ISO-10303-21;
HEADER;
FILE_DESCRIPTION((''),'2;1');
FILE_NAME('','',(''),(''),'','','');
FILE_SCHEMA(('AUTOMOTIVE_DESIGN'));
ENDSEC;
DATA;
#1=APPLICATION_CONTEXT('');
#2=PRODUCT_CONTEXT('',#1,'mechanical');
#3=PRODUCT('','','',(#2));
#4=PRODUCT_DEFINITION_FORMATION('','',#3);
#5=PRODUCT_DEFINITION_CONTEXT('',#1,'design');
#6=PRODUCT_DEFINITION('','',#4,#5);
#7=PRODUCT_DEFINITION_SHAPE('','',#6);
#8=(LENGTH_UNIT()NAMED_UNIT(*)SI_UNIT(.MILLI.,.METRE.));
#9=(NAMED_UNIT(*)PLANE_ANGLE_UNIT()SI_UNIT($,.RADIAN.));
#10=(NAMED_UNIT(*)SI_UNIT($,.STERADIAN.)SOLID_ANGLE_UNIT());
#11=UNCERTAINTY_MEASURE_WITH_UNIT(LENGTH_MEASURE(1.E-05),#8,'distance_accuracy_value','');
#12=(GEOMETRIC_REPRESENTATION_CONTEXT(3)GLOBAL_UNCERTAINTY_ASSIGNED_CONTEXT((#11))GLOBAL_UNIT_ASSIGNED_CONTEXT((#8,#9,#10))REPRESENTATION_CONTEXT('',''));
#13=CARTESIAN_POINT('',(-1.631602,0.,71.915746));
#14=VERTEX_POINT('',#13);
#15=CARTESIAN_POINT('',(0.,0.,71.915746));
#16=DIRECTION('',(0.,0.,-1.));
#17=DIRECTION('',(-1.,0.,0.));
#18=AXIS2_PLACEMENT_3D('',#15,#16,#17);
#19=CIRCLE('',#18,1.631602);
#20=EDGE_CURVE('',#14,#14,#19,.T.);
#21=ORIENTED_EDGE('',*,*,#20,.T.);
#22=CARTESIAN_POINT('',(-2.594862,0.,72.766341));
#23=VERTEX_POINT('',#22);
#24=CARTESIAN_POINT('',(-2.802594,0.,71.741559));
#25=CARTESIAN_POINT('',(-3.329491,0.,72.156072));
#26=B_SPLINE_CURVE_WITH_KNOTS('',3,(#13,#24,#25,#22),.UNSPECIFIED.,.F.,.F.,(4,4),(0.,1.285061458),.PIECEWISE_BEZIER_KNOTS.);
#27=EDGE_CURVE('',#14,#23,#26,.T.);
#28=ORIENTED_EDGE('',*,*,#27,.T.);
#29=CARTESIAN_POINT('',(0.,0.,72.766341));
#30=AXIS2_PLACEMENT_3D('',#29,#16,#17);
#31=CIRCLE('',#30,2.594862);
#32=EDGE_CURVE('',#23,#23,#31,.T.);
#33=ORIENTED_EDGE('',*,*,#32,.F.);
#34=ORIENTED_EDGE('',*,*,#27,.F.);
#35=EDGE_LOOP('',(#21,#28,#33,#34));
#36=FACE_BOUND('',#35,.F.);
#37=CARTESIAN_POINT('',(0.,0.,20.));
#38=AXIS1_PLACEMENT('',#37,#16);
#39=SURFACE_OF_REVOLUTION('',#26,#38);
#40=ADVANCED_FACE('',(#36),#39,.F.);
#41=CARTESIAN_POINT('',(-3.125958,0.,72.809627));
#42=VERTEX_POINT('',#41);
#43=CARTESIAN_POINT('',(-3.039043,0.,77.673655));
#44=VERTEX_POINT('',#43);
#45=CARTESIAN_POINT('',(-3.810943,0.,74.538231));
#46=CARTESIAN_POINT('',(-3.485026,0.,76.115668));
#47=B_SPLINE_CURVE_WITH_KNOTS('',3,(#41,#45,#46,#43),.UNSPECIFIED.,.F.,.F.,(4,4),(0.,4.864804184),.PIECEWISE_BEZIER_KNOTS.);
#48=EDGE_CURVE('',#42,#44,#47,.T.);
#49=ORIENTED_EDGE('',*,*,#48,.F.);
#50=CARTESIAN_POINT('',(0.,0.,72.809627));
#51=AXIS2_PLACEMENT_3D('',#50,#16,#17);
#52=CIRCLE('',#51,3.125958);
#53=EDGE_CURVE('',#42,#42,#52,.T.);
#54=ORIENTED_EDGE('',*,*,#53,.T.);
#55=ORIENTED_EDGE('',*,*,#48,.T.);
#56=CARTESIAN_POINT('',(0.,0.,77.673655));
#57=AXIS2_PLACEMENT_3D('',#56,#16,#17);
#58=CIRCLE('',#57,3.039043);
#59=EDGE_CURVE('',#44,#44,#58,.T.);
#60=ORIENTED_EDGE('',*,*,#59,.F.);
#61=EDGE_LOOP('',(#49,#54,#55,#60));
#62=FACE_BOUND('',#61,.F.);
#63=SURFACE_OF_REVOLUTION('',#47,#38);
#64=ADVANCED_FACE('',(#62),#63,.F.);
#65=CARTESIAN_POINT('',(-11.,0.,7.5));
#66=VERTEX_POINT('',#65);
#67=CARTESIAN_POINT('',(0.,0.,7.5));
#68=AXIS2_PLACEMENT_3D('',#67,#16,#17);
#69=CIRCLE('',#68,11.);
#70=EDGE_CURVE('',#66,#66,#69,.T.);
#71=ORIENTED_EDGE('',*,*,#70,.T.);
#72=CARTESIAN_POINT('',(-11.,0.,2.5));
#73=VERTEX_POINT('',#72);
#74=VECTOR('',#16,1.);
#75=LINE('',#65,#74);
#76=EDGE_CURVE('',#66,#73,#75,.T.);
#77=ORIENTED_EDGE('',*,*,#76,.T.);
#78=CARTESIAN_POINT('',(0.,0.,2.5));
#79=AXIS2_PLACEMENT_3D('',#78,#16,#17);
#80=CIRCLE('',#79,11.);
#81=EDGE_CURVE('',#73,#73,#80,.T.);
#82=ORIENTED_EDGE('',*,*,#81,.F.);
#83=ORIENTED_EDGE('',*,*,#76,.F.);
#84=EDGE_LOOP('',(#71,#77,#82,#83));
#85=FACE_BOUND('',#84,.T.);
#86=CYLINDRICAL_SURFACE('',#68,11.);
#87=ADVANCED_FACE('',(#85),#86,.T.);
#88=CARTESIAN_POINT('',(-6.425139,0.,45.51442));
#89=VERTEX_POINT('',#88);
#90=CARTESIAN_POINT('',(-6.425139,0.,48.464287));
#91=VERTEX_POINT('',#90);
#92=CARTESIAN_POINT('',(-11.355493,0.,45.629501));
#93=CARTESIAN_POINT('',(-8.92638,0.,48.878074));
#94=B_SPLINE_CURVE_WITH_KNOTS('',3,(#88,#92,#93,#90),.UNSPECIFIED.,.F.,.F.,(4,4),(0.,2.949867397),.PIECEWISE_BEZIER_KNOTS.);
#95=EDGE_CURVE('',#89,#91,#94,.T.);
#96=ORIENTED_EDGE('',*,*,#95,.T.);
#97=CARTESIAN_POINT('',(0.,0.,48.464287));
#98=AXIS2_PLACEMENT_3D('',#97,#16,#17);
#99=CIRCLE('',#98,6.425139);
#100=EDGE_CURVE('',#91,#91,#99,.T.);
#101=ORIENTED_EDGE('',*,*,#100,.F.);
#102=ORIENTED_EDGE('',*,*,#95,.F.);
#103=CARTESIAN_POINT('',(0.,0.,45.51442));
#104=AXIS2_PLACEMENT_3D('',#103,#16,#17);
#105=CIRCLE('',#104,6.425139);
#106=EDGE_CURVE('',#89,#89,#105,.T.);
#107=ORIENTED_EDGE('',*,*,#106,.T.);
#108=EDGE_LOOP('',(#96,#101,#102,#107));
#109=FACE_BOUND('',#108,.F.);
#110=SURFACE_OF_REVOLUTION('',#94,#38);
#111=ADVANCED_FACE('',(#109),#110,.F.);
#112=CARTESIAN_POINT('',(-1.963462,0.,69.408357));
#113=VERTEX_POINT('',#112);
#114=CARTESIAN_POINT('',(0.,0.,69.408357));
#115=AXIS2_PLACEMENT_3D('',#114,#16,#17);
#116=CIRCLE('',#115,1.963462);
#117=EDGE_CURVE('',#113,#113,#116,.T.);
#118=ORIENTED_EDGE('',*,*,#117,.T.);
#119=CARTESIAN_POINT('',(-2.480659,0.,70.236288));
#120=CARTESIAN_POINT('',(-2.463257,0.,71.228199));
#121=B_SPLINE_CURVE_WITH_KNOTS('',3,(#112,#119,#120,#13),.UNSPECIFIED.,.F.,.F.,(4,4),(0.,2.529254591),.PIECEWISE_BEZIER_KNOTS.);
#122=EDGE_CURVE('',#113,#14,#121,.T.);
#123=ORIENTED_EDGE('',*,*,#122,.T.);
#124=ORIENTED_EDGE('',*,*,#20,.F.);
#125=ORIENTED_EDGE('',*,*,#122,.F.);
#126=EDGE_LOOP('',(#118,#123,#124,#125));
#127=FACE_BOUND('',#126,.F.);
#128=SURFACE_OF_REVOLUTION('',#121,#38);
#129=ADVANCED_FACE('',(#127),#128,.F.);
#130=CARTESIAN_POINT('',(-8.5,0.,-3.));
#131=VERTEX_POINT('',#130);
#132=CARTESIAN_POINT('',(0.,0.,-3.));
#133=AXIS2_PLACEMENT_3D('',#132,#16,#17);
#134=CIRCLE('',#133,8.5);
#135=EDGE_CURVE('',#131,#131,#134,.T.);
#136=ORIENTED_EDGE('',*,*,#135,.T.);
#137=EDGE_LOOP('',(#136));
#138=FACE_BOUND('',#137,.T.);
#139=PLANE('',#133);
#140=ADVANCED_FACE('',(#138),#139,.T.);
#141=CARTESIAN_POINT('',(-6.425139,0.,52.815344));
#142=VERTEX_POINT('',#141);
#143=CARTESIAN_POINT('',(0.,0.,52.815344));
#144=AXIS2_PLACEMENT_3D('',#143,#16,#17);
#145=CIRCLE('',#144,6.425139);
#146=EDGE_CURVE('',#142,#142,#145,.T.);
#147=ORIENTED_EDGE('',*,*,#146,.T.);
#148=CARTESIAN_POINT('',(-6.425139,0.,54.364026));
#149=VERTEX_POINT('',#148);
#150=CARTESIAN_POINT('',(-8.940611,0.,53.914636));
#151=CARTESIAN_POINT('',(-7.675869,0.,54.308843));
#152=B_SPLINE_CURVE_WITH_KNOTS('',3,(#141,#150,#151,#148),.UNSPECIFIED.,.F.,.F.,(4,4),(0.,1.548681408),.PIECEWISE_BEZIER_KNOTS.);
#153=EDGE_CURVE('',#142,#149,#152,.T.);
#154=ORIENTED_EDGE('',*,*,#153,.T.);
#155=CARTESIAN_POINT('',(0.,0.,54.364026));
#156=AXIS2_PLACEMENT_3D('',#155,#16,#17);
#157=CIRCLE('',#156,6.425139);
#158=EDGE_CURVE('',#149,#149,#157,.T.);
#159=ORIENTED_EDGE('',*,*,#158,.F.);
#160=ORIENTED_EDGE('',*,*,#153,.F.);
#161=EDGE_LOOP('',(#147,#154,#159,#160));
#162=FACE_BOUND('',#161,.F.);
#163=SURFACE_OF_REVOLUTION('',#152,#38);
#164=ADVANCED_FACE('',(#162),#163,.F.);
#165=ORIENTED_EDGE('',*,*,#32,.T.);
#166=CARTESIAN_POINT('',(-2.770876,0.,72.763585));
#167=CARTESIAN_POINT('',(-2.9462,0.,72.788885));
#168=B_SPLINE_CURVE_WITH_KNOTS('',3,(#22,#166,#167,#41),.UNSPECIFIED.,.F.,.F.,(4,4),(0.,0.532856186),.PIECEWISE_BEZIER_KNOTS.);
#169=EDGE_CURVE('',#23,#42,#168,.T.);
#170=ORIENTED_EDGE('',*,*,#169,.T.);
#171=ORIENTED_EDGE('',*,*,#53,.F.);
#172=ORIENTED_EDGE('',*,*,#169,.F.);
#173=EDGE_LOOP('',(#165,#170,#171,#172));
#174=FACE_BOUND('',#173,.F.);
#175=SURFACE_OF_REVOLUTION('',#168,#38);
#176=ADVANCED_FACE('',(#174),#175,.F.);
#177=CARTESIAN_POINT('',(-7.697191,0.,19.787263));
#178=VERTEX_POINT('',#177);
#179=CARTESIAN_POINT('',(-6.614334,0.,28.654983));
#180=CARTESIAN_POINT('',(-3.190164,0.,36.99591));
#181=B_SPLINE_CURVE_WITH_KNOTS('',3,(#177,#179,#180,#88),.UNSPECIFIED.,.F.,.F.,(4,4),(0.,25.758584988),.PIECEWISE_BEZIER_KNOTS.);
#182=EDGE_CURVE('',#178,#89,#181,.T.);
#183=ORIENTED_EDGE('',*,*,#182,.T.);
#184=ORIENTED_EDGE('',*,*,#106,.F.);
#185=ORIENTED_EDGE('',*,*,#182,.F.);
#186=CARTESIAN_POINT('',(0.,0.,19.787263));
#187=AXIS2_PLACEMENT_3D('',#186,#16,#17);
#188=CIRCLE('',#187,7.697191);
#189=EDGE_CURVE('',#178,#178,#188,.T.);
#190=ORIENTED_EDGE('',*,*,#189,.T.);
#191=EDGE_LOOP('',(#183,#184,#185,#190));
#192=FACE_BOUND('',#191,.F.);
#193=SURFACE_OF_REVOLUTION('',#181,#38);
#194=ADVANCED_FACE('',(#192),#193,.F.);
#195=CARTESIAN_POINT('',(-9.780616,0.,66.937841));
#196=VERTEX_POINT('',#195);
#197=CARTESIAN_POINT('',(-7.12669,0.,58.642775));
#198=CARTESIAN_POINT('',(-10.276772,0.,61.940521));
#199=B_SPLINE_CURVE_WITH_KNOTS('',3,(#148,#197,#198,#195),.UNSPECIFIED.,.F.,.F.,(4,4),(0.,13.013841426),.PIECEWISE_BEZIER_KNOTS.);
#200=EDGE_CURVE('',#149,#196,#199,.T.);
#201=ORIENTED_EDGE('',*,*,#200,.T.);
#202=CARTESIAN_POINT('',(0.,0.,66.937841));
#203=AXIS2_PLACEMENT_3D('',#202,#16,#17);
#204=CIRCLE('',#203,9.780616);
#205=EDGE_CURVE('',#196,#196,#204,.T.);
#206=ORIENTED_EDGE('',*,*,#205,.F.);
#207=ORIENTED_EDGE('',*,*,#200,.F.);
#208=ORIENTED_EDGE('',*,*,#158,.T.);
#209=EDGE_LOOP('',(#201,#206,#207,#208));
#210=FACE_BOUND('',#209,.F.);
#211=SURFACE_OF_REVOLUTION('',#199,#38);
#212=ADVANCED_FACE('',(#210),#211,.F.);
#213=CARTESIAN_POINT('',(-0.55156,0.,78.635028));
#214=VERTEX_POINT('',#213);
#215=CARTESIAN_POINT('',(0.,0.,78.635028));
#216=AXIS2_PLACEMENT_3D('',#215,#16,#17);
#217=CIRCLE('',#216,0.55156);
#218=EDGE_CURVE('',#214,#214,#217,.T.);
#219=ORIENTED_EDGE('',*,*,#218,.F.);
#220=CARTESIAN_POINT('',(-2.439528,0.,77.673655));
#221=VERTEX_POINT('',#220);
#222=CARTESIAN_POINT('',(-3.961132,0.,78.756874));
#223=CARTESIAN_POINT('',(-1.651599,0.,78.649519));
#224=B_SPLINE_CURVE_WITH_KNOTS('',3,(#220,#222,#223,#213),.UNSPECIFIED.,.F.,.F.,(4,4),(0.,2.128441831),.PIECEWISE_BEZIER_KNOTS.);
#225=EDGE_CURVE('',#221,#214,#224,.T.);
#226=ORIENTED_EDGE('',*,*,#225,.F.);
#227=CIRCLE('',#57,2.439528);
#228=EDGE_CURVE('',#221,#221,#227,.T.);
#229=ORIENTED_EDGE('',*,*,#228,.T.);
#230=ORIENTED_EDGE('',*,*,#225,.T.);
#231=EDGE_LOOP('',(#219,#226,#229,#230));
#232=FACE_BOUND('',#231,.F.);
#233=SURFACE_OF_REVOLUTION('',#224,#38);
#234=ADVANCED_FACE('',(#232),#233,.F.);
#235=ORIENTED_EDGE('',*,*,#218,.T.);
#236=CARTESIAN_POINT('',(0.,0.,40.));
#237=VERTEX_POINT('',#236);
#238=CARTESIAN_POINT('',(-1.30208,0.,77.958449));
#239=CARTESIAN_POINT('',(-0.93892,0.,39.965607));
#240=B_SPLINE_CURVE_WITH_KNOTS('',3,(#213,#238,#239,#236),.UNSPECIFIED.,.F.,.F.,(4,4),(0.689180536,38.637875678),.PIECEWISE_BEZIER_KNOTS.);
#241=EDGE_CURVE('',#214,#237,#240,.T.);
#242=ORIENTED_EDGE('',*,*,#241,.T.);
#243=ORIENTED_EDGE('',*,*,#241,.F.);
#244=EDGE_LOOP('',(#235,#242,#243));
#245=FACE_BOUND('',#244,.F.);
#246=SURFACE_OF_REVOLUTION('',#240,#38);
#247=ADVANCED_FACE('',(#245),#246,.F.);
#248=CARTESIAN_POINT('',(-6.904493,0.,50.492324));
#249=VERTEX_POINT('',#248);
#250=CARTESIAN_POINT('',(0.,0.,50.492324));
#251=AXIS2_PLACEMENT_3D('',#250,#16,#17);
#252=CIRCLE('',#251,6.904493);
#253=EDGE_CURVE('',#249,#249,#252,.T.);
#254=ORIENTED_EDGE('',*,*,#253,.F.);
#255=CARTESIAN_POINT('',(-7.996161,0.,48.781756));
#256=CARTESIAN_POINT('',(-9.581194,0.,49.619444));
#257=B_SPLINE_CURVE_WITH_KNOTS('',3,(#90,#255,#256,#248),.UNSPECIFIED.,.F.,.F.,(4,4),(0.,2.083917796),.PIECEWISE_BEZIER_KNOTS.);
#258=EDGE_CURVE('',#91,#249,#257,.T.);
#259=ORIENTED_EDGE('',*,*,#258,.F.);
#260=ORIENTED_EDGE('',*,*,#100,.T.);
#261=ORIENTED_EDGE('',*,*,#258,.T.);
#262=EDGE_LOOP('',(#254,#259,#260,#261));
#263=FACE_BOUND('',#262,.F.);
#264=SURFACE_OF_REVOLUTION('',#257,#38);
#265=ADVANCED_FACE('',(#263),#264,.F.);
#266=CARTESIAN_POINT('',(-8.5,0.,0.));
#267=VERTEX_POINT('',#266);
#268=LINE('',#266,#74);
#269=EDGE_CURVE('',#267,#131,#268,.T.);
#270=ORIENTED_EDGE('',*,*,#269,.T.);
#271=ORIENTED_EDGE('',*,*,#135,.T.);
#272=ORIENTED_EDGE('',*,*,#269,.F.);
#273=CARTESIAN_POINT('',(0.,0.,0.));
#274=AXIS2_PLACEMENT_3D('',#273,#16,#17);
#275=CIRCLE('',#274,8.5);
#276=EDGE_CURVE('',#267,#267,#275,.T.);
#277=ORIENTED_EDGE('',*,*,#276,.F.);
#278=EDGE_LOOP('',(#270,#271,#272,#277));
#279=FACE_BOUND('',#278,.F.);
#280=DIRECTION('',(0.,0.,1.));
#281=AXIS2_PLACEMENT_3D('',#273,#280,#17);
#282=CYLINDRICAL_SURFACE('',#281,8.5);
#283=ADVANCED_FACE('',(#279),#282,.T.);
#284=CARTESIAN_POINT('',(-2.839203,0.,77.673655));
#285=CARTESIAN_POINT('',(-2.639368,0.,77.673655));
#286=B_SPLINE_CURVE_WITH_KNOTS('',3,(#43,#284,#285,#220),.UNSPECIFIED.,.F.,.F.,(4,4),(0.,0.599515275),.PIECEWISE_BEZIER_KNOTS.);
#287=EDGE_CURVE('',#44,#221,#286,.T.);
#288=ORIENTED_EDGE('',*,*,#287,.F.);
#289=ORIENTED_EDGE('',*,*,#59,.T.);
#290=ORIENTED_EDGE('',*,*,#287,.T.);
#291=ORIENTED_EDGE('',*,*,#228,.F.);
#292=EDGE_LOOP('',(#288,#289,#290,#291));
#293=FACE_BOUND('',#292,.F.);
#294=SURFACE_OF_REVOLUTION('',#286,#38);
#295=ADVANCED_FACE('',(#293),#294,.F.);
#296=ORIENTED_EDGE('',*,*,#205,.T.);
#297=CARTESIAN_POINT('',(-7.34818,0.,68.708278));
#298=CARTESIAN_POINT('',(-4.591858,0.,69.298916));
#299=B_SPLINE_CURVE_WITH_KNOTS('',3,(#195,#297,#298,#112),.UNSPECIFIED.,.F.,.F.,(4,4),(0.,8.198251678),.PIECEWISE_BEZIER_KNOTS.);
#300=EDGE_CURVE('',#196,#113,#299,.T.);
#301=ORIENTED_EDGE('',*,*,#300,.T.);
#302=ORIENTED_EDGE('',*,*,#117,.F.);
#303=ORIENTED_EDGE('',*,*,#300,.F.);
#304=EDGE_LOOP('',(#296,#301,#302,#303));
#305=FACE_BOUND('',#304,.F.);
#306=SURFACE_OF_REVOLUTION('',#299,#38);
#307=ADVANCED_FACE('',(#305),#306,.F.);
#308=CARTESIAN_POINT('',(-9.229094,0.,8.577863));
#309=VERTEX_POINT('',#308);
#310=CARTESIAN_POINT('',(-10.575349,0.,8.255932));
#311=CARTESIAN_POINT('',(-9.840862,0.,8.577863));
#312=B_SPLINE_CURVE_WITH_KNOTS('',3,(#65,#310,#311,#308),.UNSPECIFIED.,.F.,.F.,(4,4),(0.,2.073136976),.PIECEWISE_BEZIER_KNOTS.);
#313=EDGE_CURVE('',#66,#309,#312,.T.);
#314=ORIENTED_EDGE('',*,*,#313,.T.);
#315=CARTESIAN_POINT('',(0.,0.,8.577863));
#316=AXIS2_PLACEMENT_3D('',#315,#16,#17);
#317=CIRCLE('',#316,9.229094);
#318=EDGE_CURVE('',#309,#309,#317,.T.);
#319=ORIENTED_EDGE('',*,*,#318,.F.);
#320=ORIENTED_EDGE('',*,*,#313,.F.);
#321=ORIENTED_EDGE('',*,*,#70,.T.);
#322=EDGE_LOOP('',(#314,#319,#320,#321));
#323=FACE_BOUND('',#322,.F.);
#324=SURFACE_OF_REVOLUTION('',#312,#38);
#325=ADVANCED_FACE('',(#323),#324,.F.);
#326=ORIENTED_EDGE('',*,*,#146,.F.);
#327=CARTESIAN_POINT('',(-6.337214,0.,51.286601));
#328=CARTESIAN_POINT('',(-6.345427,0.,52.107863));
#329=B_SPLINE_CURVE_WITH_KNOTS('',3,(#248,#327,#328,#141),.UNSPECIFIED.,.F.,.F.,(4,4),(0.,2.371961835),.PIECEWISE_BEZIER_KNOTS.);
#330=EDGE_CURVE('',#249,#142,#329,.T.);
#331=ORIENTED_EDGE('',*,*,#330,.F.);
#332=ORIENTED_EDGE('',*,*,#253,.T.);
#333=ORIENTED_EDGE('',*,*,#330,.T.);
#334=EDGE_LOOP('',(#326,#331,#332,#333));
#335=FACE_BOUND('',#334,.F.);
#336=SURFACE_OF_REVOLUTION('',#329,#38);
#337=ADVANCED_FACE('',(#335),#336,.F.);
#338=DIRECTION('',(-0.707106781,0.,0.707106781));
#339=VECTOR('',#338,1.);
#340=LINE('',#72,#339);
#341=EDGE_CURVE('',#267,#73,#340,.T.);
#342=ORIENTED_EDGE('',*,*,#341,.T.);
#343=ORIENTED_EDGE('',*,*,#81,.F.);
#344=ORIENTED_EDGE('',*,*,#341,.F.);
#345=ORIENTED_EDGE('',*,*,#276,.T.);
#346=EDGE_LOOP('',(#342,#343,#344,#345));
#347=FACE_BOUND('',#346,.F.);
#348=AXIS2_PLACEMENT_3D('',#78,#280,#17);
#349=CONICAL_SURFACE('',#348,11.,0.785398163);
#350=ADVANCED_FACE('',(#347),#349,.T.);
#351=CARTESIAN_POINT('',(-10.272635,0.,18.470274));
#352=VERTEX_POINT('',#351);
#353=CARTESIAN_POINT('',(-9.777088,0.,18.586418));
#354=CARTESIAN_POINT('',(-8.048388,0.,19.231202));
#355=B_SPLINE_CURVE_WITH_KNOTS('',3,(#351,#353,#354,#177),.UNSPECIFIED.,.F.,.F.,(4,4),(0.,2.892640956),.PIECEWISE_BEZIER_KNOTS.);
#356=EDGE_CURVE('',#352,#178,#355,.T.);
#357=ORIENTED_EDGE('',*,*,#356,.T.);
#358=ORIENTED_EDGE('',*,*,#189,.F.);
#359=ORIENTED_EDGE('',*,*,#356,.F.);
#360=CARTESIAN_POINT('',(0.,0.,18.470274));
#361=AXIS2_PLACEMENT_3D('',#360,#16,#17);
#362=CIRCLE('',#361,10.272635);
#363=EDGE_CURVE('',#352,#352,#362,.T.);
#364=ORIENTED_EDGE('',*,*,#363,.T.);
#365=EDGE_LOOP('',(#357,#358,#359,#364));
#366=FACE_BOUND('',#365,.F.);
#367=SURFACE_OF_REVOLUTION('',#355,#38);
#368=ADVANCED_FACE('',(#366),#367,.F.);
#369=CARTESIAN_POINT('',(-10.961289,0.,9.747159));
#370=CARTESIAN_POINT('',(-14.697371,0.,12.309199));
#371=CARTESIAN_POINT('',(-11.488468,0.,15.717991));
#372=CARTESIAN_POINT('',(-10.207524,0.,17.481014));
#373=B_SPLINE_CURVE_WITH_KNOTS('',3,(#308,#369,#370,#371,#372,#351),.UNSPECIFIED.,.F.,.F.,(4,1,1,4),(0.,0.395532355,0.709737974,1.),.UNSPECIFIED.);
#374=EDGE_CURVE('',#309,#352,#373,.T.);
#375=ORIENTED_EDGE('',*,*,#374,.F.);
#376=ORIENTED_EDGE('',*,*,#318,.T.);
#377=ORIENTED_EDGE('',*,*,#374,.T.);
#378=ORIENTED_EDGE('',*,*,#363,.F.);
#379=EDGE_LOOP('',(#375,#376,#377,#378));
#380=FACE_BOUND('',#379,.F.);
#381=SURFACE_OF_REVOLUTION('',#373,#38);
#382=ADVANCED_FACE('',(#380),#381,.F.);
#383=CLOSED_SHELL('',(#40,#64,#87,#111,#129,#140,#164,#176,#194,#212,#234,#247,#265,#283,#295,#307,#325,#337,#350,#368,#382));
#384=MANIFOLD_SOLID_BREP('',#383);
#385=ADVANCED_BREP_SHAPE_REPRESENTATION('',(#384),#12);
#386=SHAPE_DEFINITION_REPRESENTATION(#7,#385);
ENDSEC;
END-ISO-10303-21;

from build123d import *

# Parameters (mm, degrees)
F2_SIZE  = 2.5
F3_DEPTH = 3


with BuildPart() as f1:
    # F0 (on Front) → F1 (revolve)
    with BuildSketch(Plane.XZ):
        with BuildLine():
            Line((-11, 0), (0, 0))
            Line((0, 0), (0, 40))
            add(Edge.make_bspline(
                [(-0.5515602777, 78.6350275348), (-1.3020803139, 77.9584492038), (-0.9389197846, 39.9656068795), (0, 40)],
                knots=[0.689180536, 0.689180536, 0.689180536, 0.689180536, 38.6378756782, 38.6378756782, 38.6378756782, 38.6378756782], degree=3))
            add(Edge.make_bspline(
                [(-2.4395277724, 77.6736549017), (-3.9611321005, 78.7568744747), (-1.6515994202, 78.6495189395), (-0.5515602777, 78.6350275348)],
                knots=[0, 0, 0, 0, 2.1284418308, 2.1284418308, 2.1284418308, 2.1284418308], degree=3))
            add(Edge.make_bspline(
                [(-3.0390430475, 77.6736549017), (-2.8392027986, 77.6736549017), (-2.6393680212, 77.6736549017), (-2.4395277724, 77.6736549017)],
                knots=[0, 0, 0, 0, 0.5995152751, 0.5995152751, 0.5995152751, 0.5995152751], degree=3))
            add(Edge.make_bspline(
                [(-3.1259575033, 72.8096271857), (-3.8109431043, 74.538230896), (-3.4850256052, 76.11566782), (-3.0390430475, 77.6736549017)],
                knots=[0, 0, 0, 0, 4.8648041836, 4.8648041836, 4.8648041836, 4.8648041836], degree=3))
            add(Edge.make_bspline(
                [(-2.5948623661, 72.766341269), (-2.7708760463, 72.7635845542), (-2.9461996735, 72.7888847693), (-3.1259575033, 72.8096271857)],
                knots=[0, 0, 0, 0, 0.5328561863, 0.5328561863, 0.5328561863, 0.5328561863], degree=3))
            add(Edge.make_bspline(
                [(-1.6316021793, 71.9157457352), (-2.8025940992, 71.7415586114), (-3.3294912428, 72.1560716629), (-2.5948623661, 72.766341269)],
                knots=[0, 0, 0, 0, 1.2850614576, 1.2850614576, 1.2850614576, 1.2850614576], degree=3))
            add(Edge.make_bspline(
                [(-1.9634624477, 69.4083571434), (-2.4806587026, 70.2362880111), (-2.4632569402, 71.2281987071), (-1.6316021793, 71.9157457352)],
                knots=[0, 0, 0, 0, 2.5292545914, 2.5292545914, 2.5292545914, 2.5292545914], degree=3))
            add(Edge.make_bspline(
                [(-9.7806155682, 66.937841475), (-7.3481798172, 68.7082782388), (-4.5918575488, 69.298915565), (-1.9634624477, 69.4083571434)],
                knots=[0, 0, 0, 0, 8.198251678, 8.198251678, 8.198251678, 8.198251678], degree=3))
            add(Edge.make_bspline(
                [(-6.4251390286, 54.3640255928), (-7.1266898885, 58.6427748203), (-10.2767720819, 61.9405210018), (-9.7806155682, 66.937841475)],
                knots=[0, 0, 0, 0, 13.0138414255, 13.0138414255, 13.0138414255, 13.0138414255], degree=3))
            add(Edge.make_bspline(
                [(-6.4251390286, 52.8153441846), (-8.9406110346, 53.9146363735), (-7.6758693904, 54.3088428676), (-6.4251390286, 54.3640255928)],
                knots=[0, 0, 0, 0, 1.5486814082, 1.5486814082, 1.5486814082, 1.5486814082], degree=3))
            add(Edge.make_bspline(
                [(-6.9044926204, 50.492323935), (-6.3372142613, 51.2866005301), (-6.3454271294, 52.1078631282), (-6.4251390286, 52.8153441846)],
                knots=[0, 0, 0, 0, 2.3719618349, 2.3719618349, 2.3719618349, 2.3719618349], degree=3))
            add(Edge.make_bspline(
                [(-6.4251390286, 48.4642870724), (-7.9961614683, 48.7817563117), (-9.5811942592, 49.6194437146), (-6.9044926204, 50.492323935)],
                knots=[0, 0, 0, 0, 2.0839177964, 2.0839177964, 2.0839177964, 2.0839177964], degree=3))
            add(Edge.make_bspline(
                [(-6.4251390286, 45.5144196749), (-11.3554932177, 45.6295013428), (-8.9263804257, 48.8780736923), (-6.4251390286, 48.4642870724)],
                knots=[0, 0, 0, 0, 2.9498673975, 2.9498673975, 2.9498673975, 2.9498673975], degree=3))
            add(Edge.make_bspline(
                [(-7.6971910894, 19.7872631252), (-6.61433395, 28.6549832672), (-3.1901642215, 36.9959101081), (-6.4251390286, 45.5144196749)],
                knots=[0, 0, 0, 0, 25.7585849879, 25.7585849879, 25.7585849879, 25.7585849879], degree=3))
            add(Edge.make_bspline(
                [(-10.272635147, 18.4702742845), (-9.7770881839, 18.586418281), (-8.0483881757, 19.2312020808), (-7.6971910894, 19.7872631252)],
                knots=[0, 0, 0, 0, 2.892640956, 2.892640956, 2.892640956, 2.892640956], degree=3))
            add(Edge.make_bspline(
                [(-9.2290937901, 8.5778627545), (-10.961288593, 9.7471593135), (-14.6973708811, 12.30919912), (-11.4884684984, 15.7179914185), (-10.20752364, 17.4810142196), (-10.272635147, 18.4702742845)],
                knots=[0, 0, 0, 0, 0.3955323553, 0.7097379741, 1, 1, 1, 1], degree=3))
            add(Edge.make_bspline(
                [(-11, 7.5), (-10.5753485113, 8.2559324801), (-9.8408616036, 8.5778627545), (-9.2290937901, 8.5778627545)],
                knots=[0, 0, 0, 0, 2.0731369762, 2.0731369762, 2.0731369762, 2.0731369762], degree=3))
            Line((-11, 7.5), (-11, 0))
        make_face()
    revolve(axis=Axis((0, 0, 20), (0, 0, -1)))

    # F2
    f2_edges = [f1.edges().sort_by_distance(p)[0] for p in [
        (11, 0, 0),
    ]]
    chamfer(f2_edges, length=F2_SIZE)

    # F3 (add): a face of the model
    f3_faces = [f1.faces().sort_by_distance(p)[0] for p in [
        (0, 0, 0),
    ]]
    extrude(f3_faces, amount=F3_DEPTH)


solid = f1.part
